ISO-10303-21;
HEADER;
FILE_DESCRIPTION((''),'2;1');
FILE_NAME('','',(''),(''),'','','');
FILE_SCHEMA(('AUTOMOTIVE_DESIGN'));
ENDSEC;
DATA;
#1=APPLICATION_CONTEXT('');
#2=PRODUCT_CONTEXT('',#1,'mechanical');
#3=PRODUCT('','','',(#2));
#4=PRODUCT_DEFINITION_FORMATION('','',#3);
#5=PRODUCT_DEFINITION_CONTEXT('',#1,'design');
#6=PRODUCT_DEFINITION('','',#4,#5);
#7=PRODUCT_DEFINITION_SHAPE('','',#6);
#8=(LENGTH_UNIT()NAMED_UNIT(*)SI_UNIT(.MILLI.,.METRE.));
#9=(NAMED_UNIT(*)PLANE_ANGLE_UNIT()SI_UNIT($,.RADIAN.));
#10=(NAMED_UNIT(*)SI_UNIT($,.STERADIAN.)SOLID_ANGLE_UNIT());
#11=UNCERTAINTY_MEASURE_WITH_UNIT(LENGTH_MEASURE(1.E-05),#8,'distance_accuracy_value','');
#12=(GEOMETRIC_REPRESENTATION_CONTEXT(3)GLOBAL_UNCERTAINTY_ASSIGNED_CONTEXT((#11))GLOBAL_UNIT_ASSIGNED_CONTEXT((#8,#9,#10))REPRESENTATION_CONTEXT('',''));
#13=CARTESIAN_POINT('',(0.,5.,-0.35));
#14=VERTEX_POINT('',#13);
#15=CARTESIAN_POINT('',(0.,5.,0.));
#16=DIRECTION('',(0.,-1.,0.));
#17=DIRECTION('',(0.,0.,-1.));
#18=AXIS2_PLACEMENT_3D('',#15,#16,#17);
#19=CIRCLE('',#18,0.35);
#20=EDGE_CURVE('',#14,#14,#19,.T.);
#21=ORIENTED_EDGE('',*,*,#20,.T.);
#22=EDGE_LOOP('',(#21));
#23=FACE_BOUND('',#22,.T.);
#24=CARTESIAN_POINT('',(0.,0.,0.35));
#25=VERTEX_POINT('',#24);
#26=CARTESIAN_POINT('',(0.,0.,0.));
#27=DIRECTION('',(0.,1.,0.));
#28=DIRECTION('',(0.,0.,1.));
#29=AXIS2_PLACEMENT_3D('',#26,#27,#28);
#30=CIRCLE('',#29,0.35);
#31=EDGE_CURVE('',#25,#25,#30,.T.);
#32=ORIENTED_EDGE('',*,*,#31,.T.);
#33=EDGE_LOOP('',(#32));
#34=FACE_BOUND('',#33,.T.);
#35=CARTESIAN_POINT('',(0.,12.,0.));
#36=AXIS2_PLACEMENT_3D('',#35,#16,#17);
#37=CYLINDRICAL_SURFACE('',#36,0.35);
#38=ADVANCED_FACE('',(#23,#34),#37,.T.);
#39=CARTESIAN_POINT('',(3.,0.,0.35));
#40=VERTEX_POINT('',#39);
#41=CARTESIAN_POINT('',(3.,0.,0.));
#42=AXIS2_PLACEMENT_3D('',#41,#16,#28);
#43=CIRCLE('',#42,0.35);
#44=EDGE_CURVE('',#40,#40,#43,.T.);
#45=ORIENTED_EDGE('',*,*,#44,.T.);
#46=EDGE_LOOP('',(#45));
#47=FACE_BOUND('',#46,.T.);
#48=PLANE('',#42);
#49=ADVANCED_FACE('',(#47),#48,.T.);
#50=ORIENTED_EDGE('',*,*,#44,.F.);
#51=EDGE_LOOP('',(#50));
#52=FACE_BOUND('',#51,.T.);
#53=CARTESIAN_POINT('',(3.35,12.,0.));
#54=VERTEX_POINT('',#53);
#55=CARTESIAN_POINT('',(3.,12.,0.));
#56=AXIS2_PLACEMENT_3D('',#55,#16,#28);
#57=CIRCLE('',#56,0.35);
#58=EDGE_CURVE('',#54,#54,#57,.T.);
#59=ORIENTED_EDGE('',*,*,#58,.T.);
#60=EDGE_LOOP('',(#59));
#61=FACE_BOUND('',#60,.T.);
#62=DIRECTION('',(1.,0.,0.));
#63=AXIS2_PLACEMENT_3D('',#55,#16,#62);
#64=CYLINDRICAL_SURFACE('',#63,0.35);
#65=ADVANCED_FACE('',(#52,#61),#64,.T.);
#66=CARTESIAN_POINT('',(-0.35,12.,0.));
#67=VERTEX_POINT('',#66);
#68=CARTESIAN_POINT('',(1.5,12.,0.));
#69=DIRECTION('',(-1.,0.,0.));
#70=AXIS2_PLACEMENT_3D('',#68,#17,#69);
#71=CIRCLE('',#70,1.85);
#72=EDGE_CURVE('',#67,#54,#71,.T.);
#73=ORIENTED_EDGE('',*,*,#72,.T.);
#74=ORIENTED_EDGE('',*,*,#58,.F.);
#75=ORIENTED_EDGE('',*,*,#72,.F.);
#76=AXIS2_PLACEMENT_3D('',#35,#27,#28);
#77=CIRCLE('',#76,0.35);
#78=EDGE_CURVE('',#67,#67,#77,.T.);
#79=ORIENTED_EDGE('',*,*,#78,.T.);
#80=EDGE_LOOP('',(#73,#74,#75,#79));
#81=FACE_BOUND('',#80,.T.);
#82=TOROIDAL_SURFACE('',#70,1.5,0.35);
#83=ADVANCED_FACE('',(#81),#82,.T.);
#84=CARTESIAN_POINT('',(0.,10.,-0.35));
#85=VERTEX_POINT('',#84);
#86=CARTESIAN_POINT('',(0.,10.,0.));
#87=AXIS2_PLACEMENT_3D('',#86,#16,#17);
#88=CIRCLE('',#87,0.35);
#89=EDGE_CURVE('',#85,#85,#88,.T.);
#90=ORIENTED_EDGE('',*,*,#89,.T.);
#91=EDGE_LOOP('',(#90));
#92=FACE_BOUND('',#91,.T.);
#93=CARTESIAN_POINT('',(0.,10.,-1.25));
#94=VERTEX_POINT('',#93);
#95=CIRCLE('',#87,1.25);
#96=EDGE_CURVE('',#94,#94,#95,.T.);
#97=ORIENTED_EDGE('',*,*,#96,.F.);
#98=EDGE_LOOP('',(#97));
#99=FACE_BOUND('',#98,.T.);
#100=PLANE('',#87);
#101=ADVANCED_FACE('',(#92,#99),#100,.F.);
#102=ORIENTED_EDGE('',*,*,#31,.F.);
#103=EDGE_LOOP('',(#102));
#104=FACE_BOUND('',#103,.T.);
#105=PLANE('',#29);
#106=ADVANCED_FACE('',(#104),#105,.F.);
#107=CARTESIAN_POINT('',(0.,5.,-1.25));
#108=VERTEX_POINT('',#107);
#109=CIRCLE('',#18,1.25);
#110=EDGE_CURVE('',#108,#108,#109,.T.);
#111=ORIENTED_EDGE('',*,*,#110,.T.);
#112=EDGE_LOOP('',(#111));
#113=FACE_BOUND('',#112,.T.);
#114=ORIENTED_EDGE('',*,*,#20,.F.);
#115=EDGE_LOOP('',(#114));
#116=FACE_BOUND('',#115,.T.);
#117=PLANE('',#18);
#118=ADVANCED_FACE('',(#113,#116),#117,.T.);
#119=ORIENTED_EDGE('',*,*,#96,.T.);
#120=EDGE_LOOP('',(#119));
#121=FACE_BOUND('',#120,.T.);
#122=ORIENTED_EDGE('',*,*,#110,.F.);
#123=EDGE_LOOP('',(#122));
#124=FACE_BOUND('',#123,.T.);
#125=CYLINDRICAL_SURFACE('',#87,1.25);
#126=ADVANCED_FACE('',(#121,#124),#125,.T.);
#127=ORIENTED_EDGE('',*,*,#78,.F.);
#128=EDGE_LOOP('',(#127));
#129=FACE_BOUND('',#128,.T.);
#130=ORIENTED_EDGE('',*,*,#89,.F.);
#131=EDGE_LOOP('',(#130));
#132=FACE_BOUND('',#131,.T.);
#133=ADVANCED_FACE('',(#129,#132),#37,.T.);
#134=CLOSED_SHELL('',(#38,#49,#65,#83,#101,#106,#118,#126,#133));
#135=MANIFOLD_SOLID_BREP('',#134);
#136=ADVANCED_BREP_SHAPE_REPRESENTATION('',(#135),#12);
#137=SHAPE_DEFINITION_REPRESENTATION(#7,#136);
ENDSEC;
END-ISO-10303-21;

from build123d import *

# Parameters (mm, degrees)
SKETCH_2_R      = 0.35
SKETCH_3_R      = 1.25
EXTRUDE_1_DEPTH = 5


with BuildPart() as part:
    # По траектории1: sweep along a path in Эскиз1
    with BuildLine(Plane.XY) as sweep_1_path:
        Line((0, 0), (0, 12))
        ThreePointArc((0, 12), (1.5, 13.5), (3, 12))
        Line((3, 12), (3, 0))
    # Эскиз2 → По траектории1 (sweep)
    with BuildSketch(Plane(origin=(0, 0, 0), x_dir=(1, 0, 0), z_dir=(0, 1, 0))):
        Circle(SKETCH_2_R)
    sweep(path=sweep_1_path.line)

    # Эскиз3 → Вытянуть1 (add)
    with BuildSketch(Plane.XZ.offset(-5)):
        with Locations(Location((0, 0, 0), (0, 0, 270))):
            Circle(SKETCH_3_R)
    extrude(amount=-EXTRUDE_1_DEPTH)


solid = part.part
